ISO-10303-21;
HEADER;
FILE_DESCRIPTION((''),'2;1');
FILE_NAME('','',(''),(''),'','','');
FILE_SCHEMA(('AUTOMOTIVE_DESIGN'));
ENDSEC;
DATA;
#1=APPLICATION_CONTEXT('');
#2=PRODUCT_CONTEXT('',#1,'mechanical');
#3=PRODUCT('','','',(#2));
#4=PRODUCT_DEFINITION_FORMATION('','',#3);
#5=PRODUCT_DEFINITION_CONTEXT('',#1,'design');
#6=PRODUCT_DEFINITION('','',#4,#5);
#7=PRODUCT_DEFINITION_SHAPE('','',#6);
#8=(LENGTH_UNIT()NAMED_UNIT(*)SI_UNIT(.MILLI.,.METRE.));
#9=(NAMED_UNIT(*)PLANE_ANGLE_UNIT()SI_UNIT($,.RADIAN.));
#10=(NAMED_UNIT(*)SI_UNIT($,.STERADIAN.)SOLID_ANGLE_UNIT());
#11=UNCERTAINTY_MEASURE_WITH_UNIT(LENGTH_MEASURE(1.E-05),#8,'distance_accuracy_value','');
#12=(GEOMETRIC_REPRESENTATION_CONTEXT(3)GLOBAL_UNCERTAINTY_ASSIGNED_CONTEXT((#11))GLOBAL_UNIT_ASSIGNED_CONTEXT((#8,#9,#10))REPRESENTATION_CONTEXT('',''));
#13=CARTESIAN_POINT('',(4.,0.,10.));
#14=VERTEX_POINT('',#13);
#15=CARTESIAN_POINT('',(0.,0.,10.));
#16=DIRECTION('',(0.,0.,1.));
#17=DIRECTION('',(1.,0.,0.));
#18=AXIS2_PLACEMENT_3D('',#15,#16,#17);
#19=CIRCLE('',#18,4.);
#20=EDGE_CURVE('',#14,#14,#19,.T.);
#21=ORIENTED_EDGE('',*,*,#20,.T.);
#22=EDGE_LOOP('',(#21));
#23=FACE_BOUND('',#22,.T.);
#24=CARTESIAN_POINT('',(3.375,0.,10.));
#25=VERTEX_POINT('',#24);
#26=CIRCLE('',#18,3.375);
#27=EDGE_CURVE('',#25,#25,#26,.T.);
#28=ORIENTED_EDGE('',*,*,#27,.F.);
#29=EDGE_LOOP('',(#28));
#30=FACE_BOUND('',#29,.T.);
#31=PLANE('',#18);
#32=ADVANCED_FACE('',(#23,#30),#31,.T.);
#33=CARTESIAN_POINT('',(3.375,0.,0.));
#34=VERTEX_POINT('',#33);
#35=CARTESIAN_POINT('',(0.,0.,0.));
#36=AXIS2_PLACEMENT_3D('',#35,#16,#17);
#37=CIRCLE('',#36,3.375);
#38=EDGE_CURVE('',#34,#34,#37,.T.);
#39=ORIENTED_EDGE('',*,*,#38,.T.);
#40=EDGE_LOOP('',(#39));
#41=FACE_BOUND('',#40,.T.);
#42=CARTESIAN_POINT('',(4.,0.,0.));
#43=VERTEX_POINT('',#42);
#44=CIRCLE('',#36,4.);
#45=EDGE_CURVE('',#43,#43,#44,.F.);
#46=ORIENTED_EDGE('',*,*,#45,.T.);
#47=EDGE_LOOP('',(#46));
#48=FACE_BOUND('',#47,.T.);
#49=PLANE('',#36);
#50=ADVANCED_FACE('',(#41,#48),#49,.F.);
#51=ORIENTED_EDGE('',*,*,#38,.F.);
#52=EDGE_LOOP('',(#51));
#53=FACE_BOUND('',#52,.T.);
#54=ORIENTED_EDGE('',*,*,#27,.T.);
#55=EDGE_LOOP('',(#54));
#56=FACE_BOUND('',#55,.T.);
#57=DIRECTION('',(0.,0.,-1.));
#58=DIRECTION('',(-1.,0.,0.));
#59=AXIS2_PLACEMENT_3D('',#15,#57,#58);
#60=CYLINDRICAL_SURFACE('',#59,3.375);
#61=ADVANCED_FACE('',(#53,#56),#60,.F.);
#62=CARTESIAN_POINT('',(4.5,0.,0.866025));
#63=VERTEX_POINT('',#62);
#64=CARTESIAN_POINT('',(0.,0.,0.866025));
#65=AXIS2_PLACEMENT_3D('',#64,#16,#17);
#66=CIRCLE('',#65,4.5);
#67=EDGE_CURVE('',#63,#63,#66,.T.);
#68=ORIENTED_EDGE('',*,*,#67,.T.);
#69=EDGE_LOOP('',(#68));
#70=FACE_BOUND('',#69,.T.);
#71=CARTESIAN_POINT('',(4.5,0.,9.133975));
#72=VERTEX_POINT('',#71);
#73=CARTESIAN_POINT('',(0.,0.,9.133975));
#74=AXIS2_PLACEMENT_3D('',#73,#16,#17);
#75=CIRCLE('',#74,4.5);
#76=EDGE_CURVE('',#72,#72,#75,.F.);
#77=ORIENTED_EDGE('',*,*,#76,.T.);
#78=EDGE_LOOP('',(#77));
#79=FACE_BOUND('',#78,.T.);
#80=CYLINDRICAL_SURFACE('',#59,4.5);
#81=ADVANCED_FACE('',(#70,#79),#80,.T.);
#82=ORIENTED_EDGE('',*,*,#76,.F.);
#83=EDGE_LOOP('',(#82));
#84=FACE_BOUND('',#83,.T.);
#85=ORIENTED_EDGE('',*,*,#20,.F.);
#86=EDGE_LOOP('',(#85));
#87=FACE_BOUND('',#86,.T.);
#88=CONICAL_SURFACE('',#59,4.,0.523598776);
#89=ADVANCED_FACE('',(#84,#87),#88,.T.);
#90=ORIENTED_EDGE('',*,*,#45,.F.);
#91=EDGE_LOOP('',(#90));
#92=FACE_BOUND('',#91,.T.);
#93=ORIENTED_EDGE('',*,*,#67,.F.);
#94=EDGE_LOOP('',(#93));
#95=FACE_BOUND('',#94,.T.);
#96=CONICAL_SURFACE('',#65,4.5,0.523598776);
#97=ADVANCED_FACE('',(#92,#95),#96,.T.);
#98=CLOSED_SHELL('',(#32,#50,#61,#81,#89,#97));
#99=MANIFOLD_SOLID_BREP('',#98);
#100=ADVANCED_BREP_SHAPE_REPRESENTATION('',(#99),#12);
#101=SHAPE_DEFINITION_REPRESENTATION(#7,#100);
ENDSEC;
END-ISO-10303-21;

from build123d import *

# Parameters (mm, degrees)
SKETCH1_R             = 4.5
SKETCH1_R_2           = 3.375
BOSS_EXTRUDE1_DEPTH   = 10
CHAMFER1_SIZE         = 0.5
CHAMFER1_SIZE2        = 0.866025404
CHAMFER1_PART_2_SIZE  = 0.5
CHAMFER1_PART_2_SIZE2 = 0.866025404


with BuildPart() as part:
    # Sketch1 → Boss-Extrude1 (new body)
    with BuildSketch(Plane.XY):
        Circle(SKETCH1_R)
        Circle(SKETCH1_R_2, mode=Mode.SUBTRACT)
    extrude(amount=BOSS_EXTRUDE1_DEPTH)

    # Chamfer1
    chamfer1_edges = [part.edges().sort_by_distance(p)[0] for p in [
        (-4.5, 0, 0),
    ]]
    chamfer1_side = [part.faces().sort_by_distance(p)[0] for p in [
        (-4.372720779, 0, 0),
    ]]
    chamfer(chamfer1_edges, length=CHAMFER1_SIZE, length2=CHAMFER1_SIZE2, reference=chamfer1_side[0])

    # Chamfer1 part 2
    chamfer1_part_2_edges = [part.edges().sort_by_distance(p)[0] for p in [
        (-4.5, 0, 10),
    ]]
    chamfer1_part_2_side = [part.faces().sort_by_distance(p)[0] for p in [
        (-4.372720779, 0, 10),
    ]]
    chamfer(chamfer1_part_2_edges, length=CHAMFER1_PART_2_SIZE, length2=CHAMFER1_PART_2_SIZE2, reference=chamfer1_part_2_side[0])


solid = part.part
